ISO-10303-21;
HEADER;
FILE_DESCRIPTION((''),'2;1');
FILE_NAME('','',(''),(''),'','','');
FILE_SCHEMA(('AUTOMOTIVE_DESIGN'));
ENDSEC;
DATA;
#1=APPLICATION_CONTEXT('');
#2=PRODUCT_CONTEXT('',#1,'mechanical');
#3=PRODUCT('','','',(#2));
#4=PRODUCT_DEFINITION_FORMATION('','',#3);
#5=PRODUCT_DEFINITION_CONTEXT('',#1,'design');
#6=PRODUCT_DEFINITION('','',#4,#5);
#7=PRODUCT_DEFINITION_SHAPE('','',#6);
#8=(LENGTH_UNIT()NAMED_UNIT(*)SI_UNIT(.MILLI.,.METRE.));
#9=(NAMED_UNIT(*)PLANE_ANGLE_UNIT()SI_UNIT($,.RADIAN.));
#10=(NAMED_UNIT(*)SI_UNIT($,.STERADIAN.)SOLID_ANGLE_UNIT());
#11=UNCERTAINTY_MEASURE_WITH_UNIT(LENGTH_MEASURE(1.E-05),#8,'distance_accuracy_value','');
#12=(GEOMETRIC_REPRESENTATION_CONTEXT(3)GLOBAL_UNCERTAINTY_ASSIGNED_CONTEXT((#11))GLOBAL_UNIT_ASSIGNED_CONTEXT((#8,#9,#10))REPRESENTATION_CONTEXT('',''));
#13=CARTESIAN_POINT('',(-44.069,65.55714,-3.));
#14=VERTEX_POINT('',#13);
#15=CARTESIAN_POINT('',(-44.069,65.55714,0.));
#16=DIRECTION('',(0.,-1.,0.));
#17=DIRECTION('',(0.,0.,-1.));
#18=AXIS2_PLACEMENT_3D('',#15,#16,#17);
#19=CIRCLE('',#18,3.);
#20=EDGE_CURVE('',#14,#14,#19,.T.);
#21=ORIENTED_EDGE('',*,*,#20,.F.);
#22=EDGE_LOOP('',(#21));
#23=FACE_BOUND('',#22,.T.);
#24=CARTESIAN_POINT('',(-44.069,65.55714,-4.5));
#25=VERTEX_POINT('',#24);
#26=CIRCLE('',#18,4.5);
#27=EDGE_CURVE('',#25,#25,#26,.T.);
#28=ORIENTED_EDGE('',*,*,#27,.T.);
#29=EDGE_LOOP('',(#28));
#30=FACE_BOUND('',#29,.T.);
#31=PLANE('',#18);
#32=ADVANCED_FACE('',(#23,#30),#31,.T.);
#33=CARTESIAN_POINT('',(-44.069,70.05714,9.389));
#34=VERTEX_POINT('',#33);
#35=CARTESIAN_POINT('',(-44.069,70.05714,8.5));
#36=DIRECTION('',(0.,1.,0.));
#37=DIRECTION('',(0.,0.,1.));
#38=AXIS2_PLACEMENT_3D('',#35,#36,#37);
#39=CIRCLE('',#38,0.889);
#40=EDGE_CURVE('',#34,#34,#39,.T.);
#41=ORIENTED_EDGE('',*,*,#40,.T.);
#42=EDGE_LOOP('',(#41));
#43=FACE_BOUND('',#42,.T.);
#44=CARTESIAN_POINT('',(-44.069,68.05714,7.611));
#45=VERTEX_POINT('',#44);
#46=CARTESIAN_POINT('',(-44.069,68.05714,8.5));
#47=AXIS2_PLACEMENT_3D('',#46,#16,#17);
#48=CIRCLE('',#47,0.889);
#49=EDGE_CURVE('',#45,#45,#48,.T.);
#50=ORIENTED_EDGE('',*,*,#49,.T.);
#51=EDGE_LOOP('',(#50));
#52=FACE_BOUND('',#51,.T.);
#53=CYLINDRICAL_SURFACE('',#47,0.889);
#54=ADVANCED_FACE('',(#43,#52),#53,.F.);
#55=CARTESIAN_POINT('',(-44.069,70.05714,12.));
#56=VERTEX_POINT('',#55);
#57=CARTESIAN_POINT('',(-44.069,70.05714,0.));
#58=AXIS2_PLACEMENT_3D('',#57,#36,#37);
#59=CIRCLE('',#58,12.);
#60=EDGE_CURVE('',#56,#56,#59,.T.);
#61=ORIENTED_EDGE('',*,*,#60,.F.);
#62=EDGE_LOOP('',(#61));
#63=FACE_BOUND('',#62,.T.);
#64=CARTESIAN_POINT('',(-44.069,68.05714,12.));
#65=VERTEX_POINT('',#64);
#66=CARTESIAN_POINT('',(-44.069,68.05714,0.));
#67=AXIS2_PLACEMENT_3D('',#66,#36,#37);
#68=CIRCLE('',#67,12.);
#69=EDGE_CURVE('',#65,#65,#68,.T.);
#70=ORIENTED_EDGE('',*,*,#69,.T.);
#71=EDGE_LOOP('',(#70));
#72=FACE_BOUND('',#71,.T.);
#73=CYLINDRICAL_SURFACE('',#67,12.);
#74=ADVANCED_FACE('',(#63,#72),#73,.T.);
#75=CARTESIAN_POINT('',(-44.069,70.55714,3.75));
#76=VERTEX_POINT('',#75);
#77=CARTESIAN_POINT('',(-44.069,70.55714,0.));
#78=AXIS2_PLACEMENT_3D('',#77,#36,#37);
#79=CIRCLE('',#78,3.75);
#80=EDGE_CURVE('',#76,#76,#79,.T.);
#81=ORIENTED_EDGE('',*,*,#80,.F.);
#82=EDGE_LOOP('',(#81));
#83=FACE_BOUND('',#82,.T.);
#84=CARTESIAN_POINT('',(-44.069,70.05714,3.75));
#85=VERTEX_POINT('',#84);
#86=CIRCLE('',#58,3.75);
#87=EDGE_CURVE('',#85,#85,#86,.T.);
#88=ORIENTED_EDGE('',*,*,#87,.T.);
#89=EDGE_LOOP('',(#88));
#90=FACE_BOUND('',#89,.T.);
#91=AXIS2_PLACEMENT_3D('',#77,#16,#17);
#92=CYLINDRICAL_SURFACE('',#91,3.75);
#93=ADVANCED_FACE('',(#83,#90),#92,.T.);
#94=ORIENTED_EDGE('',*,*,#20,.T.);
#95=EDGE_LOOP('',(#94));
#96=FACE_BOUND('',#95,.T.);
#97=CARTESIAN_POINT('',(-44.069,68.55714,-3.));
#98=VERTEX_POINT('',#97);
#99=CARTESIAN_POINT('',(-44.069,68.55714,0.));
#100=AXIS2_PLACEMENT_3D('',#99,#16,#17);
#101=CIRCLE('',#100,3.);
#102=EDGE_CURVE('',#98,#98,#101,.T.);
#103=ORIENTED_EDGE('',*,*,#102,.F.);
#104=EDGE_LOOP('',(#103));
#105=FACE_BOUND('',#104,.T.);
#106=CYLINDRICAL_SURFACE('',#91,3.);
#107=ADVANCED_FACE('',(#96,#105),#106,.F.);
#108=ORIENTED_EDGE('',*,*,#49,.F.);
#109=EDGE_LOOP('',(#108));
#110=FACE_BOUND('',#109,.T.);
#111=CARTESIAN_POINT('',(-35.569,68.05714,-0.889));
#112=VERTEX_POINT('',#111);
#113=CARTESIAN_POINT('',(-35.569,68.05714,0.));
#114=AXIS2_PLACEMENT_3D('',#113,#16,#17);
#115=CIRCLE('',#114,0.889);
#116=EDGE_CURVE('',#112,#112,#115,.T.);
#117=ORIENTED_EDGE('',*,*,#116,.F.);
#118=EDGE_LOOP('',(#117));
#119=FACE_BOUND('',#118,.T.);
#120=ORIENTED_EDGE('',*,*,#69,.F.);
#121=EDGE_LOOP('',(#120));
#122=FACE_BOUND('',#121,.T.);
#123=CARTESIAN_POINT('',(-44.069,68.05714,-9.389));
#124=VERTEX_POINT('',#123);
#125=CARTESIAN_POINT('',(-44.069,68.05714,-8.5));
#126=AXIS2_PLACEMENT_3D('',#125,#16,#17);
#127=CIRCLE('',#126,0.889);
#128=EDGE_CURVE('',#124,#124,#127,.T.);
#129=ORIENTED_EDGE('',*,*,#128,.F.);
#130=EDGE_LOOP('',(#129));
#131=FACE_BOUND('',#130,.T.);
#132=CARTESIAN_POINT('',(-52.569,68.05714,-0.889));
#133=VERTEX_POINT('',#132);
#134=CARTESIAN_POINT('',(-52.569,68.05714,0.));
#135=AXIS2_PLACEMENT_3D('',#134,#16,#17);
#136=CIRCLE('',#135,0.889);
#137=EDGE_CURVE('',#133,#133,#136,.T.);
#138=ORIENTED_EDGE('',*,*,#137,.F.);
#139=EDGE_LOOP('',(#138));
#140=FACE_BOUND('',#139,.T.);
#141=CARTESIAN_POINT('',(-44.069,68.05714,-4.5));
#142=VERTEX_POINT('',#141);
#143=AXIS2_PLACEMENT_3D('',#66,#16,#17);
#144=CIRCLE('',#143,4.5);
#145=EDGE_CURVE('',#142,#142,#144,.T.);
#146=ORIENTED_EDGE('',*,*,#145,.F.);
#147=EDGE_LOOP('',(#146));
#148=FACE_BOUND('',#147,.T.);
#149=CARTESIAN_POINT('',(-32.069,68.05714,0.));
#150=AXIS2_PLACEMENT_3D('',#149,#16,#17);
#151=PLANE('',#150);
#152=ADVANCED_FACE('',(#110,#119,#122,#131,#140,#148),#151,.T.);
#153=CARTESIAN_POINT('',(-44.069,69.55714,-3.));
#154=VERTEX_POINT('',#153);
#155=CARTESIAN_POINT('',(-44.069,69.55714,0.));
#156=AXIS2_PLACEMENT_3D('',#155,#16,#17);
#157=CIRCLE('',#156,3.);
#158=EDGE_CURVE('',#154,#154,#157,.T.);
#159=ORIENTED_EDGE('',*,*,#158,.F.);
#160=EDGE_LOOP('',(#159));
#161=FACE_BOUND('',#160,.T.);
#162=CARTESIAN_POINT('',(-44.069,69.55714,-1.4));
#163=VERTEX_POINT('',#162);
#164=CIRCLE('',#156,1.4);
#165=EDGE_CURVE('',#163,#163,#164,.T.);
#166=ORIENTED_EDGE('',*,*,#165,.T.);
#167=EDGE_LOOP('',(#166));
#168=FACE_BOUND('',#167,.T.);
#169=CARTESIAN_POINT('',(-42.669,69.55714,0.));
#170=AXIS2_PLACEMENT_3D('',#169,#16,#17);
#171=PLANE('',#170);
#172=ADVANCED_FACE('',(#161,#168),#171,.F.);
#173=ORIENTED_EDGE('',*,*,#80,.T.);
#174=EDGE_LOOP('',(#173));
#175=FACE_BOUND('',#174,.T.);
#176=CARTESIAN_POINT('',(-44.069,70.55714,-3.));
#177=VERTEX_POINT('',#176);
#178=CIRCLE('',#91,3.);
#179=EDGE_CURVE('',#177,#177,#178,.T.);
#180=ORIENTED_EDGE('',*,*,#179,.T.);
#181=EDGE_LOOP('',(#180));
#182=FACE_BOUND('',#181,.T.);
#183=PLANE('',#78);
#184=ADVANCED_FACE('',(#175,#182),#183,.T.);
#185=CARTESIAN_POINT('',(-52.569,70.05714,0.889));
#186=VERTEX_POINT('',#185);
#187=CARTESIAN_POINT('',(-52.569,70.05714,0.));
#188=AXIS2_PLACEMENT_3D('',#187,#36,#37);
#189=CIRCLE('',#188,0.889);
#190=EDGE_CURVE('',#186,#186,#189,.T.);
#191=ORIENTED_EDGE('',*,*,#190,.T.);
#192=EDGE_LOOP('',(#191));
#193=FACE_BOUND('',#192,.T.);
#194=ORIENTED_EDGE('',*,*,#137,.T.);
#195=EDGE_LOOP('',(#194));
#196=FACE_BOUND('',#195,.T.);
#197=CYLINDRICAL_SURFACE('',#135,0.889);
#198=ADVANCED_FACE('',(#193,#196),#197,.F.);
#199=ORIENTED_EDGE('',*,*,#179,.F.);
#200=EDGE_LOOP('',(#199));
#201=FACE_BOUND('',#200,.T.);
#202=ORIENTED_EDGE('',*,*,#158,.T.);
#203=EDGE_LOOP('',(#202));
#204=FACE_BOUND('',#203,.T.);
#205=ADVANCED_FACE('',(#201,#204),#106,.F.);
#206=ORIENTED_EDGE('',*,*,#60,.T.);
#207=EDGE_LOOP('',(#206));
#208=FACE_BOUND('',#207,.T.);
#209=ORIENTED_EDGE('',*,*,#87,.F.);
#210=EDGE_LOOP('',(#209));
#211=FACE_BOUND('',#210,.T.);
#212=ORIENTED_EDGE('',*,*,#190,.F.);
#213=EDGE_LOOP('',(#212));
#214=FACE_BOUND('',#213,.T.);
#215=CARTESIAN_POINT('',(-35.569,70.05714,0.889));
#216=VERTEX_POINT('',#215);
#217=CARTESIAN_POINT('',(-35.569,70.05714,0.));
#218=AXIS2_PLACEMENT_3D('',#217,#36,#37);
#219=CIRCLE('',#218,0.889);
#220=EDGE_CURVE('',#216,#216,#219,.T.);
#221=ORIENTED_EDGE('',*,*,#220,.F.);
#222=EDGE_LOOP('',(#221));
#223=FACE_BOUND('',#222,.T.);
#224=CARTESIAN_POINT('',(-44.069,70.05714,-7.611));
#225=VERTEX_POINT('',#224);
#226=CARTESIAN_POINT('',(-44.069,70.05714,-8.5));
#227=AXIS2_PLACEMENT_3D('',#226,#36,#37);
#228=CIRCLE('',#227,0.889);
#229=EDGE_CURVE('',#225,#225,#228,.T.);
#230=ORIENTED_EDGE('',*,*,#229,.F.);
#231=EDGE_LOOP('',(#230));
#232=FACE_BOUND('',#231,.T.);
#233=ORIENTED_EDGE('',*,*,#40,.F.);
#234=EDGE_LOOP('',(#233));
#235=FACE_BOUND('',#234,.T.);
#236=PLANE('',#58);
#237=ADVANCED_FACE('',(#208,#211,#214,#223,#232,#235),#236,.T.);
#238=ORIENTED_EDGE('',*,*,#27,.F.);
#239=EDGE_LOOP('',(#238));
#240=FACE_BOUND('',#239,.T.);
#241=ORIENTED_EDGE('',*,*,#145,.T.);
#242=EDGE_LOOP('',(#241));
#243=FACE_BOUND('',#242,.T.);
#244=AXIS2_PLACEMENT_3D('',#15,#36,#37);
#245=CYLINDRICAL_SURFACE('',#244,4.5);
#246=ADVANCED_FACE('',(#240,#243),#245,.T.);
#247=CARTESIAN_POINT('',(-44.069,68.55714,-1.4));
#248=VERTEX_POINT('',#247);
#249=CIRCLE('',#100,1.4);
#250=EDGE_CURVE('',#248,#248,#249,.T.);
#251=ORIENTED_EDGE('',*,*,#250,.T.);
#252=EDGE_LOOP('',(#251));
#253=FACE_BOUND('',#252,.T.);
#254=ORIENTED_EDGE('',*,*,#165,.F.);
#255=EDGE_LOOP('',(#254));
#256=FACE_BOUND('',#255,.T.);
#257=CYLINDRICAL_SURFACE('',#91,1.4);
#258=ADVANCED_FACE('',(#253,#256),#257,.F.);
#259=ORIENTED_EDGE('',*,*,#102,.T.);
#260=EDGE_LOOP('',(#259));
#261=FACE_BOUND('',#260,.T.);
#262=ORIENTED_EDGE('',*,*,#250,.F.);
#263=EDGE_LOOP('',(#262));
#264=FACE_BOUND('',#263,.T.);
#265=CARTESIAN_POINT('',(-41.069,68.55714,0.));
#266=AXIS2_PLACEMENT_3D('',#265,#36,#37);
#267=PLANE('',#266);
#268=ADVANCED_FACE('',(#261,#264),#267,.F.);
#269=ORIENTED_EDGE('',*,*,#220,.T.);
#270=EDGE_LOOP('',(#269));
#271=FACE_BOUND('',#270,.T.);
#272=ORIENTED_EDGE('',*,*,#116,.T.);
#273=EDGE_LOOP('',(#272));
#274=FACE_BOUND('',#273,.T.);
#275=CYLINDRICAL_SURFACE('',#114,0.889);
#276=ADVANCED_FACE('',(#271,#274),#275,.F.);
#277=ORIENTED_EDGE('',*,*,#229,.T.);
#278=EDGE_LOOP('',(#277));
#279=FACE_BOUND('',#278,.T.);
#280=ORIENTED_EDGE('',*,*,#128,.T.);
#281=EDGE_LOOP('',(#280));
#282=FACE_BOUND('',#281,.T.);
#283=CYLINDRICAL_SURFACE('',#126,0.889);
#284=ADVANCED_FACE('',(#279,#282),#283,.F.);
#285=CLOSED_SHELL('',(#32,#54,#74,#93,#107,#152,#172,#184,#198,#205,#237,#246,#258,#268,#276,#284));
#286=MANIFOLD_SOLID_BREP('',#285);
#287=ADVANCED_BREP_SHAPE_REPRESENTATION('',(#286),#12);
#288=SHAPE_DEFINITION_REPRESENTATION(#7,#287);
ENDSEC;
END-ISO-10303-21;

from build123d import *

# Parameters (mm, degrees)
SKETCH1_W                  = 12
SKETCH1_H                  = 2
SKETCH2_R                  = 4.5
BOSS_EXTRUDE1_DEPTH        = 2.5
SKETCH3_R                  = 3.75
BOSS_EXTRUDE2_DEPTH        = 0.5
M1_6_CLEARANCE_HOLE1_D     = 1.778
M1_6_CLEARANCE_HOLE1_DEPTH = 2.5


with BuildPart() as part:
    # Sketch1 → Revolve1 (revolve)
    with BuildSketch(Plane(origin=(0, 0, 0), x_dir=(-1, 0, 0), z_dir=(0, 0, -1))):
        with Locations((38.069, 69.05714)):
            Rectangle(SKETCH1_W, SKETCH1_H)
    revolve(axis=Axis((-44.069, 68.05714, 0), (0, 1, 0)))

    # Sketch2 → Boss-Extrude1 (add)
    with BuildSketch(Plane.XZ.offset(-68.05714)):
        with Locations((-44.069, 0)):
            Circle(SKETCH2_R)
    extrude(amount=BOSS_EXTRUDE1_DEPTH)

    # Sketch3 → Boss-Extrude2 (add)
    with BuildSketch(Plane(origin=(0, 70.05714, 0), x_dir=(-1, 0, 0), z_dir=(0, 1, 0))):
        with Locations((44.069, 0)):
            Circle(SKETCH3_R)
    extrude(amount=BOSS_EXTRUDE2_DEPTH)

    # Sketch4 → Cut-Revolve1 (revolve, cut)
    with BuildSketch(Plane.XY):
        Polygon((-41.069, 70.55714), (-44.069, 70.55714), (-44.069, 65.55714), (-41.069, 65.55714), (-41.069, 68.55714), (-42.669, 68.55714), (-42.669, 69.55714), (-41.069, 69.55714), align=None)
    revolve(axis=Axis((-44.069, 70.55714, 0), (0, -1, 0)), mode=Mode.SUBTRACT)

    # M1.6 Clearance Hole1
    with Locations(Plane(origin=(0, 68.05714, 0), x_dir=(-1, 0, 0), z_dir=(0, -1, 0))):
        with Locations((44.069, 8.5), (52.569, 0), (35.569, 0), (44.069, -8.5)):
            Hole(M1_6_CLEARANCE_HOLE1_D / 2, depth=M1_6_CLEARANCE_HOLE1_DEPTH)


solid = part.part
